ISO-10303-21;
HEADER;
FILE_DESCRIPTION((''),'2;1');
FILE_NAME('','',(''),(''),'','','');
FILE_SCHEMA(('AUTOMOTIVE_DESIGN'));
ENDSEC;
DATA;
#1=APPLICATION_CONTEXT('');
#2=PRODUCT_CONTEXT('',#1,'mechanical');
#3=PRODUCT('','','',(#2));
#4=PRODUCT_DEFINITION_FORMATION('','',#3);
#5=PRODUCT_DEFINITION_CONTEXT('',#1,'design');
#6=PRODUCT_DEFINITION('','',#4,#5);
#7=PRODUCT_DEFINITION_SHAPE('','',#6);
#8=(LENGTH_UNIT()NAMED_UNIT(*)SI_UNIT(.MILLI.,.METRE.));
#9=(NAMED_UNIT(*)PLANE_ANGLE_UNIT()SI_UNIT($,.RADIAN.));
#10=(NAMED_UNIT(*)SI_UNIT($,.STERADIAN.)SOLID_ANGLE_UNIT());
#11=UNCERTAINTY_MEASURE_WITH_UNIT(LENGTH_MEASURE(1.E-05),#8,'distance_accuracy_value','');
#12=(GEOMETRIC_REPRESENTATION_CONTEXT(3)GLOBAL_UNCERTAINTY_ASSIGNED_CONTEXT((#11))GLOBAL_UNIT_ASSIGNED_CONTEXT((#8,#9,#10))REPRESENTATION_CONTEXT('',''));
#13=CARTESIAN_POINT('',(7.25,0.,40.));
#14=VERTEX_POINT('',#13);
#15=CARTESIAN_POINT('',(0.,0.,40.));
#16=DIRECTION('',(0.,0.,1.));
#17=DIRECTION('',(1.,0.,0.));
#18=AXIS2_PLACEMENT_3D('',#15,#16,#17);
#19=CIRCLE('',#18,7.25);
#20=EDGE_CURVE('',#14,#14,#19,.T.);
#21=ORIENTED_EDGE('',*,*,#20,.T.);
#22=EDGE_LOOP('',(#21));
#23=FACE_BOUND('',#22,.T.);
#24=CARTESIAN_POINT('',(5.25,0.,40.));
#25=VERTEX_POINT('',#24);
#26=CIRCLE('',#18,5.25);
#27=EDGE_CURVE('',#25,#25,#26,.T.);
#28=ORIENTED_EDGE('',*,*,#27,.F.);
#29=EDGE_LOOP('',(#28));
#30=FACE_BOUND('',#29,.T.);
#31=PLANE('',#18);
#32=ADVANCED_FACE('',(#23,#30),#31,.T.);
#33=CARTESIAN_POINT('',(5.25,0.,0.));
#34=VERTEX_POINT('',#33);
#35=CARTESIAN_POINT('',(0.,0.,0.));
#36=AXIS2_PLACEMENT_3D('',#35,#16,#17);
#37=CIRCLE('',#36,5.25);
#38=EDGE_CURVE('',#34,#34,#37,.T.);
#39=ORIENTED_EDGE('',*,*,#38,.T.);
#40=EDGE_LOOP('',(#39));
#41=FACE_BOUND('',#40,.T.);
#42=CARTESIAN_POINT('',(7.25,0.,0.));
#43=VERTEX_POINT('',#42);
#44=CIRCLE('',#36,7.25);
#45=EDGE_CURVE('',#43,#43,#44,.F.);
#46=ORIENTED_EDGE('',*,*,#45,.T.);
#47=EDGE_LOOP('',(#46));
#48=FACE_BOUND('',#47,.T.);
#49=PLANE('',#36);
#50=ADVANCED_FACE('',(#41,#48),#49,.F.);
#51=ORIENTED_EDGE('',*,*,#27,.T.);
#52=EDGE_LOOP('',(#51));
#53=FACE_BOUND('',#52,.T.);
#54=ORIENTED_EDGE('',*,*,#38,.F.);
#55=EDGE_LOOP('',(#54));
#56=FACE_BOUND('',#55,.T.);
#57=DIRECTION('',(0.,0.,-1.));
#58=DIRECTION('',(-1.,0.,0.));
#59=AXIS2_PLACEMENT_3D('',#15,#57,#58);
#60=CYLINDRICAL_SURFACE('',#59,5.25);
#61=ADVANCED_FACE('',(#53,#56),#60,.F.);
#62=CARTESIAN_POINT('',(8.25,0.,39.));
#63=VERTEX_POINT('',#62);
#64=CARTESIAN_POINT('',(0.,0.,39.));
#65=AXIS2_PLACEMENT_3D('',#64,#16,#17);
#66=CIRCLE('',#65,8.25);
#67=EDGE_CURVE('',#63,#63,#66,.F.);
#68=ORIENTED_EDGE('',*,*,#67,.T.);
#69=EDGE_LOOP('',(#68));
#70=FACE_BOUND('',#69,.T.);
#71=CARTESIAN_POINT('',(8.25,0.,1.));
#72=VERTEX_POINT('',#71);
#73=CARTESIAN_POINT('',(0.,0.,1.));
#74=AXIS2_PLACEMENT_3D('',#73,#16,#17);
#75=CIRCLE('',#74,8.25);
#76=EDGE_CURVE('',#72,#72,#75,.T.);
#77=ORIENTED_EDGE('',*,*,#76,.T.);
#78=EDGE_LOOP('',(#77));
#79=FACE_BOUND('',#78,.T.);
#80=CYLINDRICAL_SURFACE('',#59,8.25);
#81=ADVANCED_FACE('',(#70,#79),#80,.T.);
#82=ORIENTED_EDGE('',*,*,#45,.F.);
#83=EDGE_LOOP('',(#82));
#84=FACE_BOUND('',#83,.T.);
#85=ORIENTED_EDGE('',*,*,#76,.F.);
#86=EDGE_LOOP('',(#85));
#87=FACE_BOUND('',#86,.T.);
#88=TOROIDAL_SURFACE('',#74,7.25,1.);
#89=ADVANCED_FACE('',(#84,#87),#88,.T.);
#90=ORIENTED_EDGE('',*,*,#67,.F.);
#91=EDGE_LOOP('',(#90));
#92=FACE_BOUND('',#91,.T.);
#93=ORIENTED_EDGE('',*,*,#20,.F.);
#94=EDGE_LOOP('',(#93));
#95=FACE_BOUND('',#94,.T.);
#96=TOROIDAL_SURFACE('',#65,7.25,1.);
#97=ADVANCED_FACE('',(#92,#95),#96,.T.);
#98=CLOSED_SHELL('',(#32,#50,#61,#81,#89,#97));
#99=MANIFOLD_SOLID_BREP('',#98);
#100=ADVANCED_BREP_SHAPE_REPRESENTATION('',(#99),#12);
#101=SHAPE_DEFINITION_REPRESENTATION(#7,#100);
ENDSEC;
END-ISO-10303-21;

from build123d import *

# Parameters (mm, degrees)
SKICA1_R                = 8.25
SKICA1_R_2              = 5.25
P_IDAT_VYSUNUT_M1_DEPTH = 40
ZAOBLIT1_R              = 1


with BuildPart() as part:
    # Skica1 → Přidat vysunutím1 (new body)
    with BuildSketch(Plane.XY):
        Circle(SKICA1_R)
        Circle(SKICA1_R_2, mode=Mode.SUBTRACT)
    extrude(amount=P_IDAT_VYSUNUT_M1_DEPTH)

    # Zaoblit1
    zaoblit1_edges = [part.edges().sort_by_distance(p)[0] for p in [
        (-8.25, 0, 0),
        (-8.25, 0, 40),
    ]]
    fillet(zaoblit1_edges, radius=ZAOBLIT1_R)


solid = part.part
